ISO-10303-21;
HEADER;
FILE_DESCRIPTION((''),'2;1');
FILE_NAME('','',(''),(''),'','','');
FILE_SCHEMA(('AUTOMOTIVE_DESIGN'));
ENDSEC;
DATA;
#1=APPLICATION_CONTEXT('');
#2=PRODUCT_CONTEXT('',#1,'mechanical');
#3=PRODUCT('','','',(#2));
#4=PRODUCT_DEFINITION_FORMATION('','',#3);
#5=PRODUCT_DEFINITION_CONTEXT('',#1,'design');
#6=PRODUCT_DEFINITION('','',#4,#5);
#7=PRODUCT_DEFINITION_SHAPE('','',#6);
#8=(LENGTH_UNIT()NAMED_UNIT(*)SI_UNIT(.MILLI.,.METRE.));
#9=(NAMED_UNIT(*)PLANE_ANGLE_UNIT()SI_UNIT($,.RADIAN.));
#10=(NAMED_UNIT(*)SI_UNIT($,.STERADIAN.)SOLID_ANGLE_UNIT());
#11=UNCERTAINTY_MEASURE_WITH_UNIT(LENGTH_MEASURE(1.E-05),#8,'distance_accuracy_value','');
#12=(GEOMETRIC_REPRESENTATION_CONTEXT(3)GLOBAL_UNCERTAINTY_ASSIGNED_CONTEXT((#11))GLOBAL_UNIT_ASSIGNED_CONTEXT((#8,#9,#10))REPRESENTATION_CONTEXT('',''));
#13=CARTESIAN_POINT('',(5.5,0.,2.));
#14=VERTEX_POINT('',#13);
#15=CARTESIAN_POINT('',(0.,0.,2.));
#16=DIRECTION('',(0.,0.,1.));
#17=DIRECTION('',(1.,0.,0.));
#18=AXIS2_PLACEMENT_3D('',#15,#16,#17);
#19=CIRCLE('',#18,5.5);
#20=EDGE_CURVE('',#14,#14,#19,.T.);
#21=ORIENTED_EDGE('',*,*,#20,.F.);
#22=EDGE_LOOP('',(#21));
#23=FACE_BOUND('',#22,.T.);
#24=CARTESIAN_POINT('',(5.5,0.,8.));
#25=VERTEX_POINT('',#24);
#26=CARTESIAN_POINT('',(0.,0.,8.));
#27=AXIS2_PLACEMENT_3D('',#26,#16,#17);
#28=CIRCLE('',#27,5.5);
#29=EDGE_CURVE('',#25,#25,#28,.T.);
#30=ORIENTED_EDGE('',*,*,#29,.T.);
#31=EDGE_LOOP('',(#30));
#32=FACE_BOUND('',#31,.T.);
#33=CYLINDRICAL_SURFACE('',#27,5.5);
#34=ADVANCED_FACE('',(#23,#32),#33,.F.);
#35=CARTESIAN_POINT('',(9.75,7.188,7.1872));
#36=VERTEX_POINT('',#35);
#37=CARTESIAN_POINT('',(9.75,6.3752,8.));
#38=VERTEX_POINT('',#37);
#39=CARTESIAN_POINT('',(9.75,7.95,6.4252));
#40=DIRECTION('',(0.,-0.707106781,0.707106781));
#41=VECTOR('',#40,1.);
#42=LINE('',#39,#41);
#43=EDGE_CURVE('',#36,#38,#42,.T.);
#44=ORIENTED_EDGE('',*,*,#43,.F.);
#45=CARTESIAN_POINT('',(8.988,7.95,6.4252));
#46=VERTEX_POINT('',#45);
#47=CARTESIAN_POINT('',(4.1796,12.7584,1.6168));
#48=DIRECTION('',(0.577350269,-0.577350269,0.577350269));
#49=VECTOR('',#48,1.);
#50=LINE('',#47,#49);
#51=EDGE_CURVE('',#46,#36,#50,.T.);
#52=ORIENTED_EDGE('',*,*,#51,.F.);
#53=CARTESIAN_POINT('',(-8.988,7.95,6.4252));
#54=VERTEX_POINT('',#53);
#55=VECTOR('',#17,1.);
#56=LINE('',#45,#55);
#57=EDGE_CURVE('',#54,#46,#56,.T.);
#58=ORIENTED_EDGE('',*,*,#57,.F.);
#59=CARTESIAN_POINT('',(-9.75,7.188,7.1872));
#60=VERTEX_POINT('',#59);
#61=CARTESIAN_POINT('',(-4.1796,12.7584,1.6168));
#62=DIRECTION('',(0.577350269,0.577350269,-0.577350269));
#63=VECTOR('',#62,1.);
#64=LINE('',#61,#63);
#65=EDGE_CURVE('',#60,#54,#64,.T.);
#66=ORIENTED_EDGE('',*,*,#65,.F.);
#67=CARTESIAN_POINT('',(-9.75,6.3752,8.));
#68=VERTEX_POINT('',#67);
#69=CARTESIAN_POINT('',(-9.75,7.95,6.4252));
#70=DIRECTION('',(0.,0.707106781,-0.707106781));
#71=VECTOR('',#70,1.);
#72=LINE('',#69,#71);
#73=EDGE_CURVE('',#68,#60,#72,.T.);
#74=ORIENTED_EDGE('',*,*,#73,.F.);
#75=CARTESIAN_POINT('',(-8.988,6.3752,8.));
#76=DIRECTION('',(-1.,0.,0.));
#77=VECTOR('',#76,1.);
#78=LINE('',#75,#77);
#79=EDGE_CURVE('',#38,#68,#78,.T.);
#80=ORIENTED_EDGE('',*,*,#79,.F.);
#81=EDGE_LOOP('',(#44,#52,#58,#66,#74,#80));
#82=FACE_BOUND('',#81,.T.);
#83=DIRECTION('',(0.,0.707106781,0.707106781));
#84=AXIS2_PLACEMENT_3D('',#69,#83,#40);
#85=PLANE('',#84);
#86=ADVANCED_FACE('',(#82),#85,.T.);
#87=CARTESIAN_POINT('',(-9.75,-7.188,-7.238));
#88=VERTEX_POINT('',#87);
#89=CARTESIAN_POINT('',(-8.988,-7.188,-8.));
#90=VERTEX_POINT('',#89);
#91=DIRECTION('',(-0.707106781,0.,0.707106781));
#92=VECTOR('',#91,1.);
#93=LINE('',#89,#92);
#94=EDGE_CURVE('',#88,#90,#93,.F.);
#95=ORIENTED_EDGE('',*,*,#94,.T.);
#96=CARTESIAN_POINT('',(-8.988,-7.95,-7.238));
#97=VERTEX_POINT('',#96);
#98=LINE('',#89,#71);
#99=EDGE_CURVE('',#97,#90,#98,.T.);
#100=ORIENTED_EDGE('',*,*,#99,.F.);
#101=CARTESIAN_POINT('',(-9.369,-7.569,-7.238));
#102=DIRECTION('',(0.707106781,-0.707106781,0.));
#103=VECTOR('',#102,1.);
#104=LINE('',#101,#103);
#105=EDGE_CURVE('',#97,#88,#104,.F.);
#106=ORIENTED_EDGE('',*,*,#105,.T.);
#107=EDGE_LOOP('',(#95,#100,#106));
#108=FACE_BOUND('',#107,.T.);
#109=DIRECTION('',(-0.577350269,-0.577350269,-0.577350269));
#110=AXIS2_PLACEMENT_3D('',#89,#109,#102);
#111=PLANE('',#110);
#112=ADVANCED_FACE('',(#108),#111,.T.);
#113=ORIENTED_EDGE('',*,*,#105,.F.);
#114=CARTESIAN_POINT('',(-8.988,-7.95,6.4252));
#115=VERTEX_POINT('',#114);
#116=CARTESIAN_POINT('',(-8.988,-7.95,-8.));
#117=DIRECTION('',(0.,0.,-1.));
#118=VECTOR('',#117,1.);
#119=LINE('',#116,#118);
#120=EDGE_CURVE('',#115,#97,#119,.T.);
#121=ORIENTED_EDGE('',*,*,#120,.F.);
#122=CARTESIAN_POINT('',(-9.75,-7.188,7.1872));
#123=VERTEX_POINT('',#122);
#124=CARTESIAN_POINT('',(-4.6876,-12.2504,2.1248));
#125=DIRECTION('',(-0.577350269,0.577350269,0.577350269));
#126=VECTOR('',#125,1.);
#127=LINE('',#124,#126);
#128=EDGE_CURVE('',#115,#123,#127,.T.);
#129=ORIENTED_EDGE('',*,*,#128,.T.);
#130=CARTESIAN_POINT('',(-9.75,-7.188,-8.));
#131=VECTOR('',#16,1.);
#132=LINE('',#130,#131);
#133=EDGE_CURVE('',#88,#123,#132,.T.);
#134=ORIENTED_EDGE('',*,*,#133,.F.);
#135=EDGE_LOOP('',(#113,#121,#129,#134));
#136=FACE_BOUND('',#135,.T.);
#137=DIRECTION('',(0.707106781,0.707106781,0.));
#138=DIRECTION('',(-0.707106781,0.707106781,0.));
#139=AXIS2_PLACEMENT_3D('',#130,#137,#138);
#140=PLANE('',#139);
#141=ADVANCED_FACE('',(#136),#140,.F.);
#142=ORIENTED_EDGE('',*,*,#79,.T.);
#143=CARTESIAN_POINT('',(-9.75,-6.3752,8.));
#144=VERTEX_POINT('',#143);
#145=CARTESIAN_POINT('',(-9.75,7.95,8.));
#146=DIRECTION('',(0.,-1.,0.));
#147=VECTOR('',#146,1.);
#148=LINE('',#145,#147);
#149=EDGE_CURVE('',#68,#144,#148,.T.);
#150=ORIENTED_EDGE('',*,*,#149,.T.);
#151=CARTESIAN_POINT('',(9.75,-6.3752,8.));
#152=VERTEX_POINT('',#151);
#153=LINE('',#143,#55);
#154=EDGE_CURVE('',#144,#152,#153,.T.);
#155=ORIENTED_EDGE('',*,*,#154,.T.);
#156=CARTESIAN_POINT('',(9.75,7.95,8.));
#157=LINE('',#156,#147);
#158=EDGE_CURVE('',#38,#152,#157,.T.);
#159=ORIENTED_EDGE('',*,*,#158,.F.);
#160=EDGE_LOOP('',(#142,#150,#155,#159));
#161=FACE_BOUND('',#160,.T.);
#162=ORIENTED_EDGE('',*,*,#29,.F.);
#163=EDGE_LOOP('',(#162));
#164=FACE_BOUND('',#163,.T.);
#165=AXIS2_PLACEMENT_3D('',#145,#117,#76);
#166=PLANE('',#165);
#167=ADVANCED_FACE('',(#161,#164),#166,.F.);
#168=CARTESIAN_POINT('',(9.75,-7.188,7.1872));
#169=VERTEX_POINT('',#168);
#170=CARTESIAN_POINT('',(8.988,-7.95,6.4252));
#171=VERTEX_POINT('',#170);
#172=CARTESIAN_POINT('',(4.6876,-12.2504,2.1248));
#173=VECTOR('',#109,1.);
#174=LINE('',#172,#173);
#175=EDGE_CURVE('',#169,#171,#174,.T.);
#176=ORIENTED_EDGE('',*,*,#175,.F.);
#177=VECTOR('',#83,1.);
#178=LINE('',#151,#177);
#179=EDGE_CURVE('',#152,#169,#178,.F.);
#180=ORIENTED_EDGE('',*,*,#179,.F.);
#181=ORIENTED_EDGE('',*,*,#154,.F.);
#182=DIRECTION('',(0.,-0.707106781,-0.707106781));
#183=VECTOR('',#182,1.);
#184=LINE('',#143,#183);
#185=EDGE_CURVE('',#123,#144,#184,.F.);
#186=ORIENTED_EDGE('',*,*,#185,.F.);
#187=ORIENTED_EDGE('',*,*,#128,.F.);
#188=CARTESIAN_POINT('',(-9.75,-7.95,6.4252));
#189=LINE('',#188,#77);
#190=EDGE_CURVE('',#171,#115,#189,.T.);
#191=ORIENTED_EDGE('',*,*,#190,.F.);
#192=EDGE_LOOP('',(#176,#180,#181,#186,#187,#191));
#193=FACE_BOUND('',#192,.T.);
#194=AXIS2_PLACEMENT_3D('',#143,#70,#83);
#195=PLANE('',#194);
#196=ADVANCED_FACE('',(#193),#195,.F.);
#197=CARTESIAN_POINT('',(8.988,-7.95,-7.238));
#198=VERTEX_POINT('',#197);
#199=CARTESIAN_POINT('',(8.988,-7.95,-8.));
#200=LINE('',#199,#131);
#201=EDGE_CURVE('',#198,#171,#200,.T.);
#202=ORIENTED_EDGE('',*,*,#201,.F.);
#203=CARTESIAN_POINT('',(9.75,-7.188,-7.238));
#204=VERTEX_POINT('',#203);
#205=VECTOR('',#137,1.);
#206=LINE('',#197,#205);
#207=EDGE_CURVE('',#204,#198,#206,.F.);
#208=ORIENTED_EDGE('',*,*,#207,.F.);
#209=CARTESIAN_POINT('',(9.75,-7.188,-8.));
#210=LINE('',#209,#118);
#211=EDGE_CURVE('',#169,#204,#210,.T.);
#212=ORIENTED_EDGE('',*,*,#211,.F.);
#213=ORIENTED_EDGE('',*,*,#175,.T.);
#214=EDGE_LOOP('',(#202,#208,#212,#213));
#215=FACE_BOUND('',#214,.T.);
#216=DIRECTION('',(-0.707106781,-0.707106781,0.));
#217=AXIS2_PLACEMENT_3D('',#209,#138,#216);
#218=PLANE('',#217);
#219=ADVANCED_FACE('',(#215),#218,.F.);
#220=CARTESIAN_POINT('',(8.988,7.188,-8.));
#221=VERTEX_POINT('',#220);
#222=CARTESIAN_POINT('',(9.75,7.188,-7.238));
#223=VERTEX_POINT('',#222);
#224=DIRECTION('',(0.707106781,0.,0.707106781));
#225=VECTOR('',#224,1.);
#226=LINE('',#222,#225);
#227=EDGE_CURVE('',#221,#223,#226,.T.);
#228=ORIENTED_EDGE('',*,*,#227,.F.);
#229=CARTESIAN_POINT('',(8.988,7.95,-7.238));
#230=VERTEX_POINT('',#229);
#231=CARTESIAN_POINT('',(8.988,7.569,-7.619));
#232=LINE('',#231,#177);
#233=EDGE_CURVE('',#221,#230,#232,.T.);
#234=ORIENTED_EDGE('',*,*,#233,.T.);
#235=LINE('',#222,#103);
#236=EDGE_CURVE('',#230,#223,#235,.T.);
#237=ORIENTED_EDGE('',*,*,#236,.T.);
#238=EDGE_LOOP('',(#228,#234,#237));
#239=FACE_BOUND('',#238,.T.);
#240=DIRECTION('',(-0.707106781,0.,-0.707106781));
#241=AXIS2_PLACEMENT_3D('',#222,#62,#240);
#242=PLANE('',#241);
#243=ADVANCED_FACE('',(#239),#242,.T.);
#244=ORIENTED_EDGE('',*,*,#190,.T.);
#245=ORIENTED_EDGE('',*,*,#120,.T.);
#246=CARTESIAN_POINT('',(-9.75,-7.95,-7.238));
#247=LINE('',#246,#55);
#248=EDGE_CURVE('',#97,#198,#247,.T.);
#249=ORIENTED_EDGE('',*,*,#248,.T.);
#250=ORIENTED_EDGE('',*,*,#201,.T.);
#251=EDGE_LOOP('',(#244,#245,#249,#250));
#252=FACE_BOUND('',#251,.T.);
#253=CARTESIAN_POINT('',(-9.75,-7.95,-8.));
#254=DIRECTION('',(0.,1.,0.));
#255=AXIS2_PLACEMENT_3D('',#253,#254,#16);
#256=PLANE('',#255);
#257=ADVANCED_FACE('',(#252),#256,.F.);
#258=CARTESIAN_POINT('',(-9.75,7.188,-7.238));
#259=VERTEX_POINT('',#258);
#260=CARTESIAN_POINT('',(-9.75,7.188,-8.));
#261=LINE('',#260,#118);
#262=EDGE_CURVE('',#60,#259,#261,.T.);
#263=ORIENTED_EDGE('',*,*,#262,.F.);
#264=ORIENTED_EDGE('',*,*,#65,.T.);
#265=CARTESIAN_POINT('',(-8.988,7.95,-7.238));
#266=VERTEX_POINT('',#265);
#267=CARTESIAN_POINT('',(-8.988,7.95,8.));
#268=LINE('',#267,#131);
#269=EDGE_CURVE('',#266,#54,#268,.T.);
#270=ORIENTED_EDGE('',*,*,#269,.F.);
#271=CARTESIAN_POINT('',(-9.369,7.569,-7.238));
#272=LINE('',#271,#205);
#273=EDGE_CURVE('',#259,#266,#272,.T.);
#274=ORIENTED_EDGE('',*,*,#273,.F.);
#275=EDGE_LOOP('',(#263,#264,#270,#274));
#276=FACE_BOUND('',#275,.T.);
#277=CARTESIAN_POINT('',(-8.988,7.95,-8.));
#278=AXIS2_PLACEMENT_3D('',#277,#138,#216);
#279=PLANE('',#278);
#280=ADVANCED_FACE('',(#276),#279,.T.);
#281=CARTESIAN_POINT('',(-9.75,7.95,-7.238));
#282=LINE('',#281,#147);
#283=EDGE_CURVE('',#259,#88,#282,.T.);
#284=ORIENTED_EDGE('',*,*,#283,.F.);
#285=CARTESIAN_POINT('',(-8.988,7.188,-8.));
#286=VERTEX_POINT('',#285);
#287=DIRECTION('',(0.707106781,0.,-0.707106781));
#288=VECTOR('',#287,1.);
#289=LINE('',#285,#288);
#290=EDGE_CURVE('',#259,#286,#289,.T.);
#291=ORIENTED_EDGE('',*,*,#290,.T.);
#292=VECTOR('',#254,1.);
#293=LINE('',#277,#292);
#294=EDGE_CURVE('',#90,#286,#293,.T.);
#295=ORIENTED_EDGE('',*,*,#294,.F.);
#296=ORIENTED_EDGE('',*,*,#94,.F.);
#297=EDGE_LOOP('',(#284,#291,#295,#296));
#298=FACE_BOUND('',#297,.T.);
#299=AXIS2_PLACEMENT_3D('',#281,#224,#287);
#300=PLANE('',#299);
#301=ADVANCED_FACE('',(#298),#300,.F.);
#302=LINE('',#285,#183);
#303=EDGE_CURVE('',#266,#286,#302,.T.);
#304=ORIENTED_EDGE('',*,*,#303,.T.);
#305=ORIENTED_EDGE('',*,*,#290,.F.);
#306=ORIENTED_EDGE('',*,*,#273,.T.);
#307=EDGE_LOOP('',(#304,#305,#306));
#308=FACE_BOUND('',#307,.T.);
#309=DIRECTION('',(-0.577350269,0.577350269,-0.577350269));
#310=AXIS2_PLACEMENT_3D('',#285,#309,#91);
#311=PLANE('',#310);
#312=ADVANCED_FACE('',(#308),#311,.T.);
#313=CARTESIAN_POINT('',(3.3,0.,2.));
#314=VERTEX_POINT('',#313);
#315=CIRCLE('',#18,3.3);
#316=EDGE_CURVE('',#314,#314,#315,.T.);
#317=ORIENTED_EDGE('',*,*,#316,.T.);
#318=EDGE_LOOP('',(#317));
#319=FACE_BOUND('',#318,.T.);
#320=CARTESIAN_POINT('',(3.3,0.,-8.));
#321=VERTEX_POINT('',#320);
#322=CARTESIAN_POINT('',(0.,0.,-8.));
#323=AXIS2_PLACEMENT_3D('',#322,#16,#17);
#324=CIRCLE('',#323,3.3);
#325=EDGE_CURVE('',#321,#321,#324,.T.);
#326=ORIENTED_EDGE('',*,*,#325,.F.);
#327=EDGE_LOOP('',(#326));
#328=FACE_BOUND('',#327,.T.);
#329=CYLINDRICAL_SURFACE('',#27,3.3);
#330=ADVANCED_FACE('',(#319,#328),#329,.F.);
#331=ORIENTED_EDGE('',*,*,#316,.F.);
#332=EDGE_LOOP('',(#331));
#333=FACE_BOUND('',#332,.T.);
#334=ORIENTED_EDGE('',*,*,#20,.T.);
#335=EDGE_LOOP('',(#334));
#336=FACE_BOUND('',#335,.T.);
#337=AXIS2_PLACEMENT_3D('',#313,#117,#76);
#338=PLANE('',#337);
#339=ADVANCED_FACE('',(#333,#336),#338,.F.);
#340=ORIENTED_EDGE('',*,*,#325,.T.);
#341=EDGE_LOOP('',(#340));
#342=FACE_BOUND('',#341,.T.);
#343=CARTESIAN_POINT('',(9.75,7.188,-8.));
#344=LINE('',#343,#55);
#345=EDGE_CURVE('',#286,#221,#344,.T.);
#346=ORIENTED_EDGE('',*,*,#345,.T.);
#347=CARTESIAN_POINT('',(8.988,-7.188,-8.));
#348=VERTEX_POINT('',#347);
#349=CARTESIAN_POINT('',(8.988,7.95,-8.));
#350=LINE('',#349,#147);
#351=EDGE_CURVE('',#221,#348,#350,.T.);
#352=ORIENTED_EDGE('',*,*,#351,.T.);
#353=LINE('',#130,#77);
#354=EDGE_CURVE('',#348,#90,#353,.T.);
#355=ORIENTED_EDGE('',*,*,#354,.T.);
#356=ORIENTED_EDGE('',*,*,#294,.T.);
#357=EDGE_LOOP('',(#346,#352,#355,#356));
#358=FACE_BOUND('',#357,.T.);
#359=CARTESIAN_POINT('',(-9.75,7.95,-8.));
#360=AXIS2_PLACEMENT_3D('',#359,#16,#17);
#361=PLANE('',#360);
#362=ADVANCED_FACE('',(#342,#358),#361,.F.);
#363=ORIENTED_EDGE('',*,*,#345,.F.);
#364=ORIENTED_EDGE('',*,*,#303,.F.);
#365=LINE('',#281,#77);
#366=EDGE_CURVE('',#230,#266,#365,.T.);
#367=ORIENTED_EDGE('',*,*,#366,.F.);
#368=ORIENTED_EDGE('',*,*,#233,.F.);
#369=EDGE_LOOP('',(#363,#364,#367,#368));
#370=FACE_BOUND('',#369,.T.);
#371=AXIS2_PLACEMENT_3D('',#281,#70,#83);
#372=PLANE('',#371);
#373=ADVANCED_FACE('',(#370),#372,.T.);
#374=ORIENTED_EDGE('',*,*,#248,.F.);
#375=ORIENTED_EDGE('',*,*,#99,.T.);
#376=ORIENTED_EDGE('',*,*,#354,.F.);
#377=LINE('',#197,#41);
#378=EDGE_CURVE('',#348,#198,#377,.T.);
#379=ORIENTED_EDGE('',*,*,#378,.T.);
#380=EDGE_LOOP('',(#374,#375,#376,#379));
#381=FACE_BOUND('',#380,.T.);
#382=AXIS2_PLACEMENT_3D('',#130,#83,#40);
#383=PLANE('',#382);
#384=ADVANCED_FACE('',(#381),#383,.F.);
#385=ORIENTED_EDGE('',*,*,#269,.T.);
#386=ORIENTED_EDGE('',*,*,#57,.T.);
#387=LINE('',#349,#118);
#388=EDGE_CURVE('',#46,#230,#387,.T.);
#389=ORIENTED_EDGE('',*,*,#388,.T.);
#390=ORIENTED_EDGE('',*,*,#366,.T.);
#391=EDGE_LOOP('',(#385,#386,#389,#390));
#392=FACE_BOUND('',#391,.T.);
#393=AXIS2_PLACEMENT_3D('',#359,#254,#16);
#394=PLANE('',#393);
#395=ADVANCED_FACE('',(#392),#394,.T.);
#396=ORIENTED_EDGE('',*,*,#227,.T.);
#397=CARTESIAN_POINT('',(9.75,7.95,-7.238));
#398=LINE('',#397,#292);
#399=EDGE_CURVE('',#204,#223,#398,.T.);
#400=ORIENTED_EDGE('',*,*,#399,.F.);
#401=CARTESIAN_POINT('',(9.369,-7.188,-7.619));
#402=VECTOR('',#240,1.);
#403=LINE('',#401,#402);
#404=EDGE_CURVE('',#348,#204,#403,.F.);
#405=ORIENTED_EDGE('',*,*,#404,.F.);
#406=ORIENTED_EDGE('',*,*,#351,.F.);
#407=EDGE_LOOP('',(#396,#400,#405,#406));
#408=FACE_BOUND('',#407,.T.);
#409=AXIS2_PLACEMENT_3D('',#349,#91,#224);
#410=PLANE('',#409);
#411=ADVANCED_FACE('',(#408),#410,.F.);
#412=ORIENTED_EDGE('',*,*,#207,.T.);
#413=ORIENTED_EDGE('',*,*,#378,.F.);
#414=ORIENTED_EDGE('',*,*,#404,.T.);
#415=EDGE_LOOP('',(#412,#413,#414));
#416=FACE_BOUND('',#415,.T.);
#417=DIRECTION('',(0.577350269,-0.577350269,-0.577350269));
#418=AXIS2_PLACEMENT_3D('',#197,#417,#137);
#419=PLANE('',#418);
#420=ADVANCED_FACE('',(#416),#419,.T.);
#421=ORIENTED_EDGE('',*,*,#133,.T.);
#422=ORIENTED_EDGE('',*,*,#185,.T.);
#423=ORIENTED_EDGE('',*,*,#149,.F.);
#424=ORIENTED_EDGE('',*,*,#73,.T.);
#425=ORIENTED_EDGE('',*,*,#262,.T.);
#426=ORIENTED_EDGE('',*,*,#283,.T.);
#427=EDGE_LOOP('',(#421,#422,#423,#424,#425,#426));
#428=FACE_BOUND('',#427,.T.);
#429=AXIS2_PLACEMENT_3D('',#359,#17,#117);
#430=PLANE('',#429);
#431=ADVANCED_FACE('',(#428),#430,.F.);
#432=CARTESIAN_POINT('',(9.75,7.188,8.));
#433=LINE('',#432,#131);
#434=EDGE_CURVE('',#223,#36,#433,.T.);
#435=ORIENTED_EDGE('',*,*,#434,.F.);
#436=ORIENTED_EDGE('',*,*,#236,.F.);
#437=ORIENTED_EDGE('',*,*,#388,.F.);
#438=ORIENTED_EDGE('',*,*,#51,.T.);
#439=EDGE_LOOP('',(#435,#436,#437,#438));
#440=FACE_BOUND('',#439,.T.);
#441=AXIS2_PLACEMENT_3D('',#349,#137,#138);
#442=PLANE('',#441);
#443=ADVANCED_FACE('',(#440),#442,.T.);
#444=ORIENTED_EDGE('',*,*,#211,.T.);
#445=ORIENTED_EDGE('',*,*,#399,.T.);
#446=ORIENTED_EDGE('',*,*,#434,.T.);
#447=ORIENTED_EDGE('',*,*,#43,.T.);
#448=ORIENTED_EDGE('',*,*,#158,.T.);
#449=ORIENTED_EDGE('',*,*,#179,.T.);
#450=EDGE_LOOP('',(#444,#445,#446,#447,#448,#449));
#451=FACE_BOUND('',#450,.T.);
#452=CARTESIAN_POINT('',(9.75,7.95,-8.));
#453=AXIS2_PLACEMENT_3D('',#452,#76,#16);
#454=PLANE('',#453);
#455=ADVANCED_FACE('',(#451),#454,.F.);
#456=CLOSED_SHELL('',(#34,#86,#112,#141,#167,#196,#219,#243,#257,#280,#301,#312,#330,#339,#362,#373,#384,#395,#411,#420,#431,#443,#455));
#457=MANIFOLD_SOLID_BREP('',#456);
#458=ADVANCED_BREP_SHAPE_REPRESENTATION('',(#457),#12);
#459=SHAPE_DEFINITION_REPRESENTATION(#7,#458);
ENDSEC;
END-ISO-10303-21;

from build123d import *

# Parameters (mm, degrees)
SKETCH1_W                      = 19.5
SKETCH1_H                      = 16
EXTRUDE1_DEPTH                 = 7.95
CBORE_FOR_M6_SHCS1_D           = 6.6
CBORE_FOR_M6_SHCS1_CBORE_D     = 11
CBORE_FOR_M6_SHCS1_CBORE_DEPTH = 6
CHAMFER1_SIZE                  = 0.762
CHAMFER2_SIZE                  = 1.5748


with BuildPart() as part:
    # Sketch1 → Extrude1 (new, symmetric)
    with BuildSketch(Plane(origin=(0, 0, 0), x_dir=(1, 0, 0), z_dir=(0, 1, 0))):
        Rectangle(SKETCH1_W, SKETCH1_H)
    extrude(amount=EXTRUDE1_DEPTH, both=True)

    # CBORE for M6 SHCS1 (through all)
    with Locations(Plane.XY.offset(8)):
        with Locations((0, 0)):
            CounterBoreHole(CBORE_FOR_M6_SHCS1_D / 2, CBORE_FOR_M6_SHCS1_CBORE_D / 2, CBORE_FOR_M6_SHCS1_CBORE_DEPTH)

    # Chamfer1
    chamfer1_edges = [part.edges().sort_by_distance(p)[0] for p in [
        (9.75, 7.95, 0),
        (0, 7.95, -8),
        (-9.75, 7.95, 0),
        (0, -7.95, -8),
        (9.75, -7.95, 0),
        (-9.75, -7.95, 0),
        (-9.75, 0, -8),
        (9.75, 0, -8),
    ]]
    chamfer(chamfer1_edges, length=CHAMFER1_SIZE)

    # Chamfer2
    chamfer2_edges = [part.edges().sort_by_distance(p)[0] for p in [
        (0, -7.95, 8),
        (0, 7.95, 8),
    ]]
    chamfer(chamfer2_edges, length=CHAMFER2_SIZE)


solid = part.part
